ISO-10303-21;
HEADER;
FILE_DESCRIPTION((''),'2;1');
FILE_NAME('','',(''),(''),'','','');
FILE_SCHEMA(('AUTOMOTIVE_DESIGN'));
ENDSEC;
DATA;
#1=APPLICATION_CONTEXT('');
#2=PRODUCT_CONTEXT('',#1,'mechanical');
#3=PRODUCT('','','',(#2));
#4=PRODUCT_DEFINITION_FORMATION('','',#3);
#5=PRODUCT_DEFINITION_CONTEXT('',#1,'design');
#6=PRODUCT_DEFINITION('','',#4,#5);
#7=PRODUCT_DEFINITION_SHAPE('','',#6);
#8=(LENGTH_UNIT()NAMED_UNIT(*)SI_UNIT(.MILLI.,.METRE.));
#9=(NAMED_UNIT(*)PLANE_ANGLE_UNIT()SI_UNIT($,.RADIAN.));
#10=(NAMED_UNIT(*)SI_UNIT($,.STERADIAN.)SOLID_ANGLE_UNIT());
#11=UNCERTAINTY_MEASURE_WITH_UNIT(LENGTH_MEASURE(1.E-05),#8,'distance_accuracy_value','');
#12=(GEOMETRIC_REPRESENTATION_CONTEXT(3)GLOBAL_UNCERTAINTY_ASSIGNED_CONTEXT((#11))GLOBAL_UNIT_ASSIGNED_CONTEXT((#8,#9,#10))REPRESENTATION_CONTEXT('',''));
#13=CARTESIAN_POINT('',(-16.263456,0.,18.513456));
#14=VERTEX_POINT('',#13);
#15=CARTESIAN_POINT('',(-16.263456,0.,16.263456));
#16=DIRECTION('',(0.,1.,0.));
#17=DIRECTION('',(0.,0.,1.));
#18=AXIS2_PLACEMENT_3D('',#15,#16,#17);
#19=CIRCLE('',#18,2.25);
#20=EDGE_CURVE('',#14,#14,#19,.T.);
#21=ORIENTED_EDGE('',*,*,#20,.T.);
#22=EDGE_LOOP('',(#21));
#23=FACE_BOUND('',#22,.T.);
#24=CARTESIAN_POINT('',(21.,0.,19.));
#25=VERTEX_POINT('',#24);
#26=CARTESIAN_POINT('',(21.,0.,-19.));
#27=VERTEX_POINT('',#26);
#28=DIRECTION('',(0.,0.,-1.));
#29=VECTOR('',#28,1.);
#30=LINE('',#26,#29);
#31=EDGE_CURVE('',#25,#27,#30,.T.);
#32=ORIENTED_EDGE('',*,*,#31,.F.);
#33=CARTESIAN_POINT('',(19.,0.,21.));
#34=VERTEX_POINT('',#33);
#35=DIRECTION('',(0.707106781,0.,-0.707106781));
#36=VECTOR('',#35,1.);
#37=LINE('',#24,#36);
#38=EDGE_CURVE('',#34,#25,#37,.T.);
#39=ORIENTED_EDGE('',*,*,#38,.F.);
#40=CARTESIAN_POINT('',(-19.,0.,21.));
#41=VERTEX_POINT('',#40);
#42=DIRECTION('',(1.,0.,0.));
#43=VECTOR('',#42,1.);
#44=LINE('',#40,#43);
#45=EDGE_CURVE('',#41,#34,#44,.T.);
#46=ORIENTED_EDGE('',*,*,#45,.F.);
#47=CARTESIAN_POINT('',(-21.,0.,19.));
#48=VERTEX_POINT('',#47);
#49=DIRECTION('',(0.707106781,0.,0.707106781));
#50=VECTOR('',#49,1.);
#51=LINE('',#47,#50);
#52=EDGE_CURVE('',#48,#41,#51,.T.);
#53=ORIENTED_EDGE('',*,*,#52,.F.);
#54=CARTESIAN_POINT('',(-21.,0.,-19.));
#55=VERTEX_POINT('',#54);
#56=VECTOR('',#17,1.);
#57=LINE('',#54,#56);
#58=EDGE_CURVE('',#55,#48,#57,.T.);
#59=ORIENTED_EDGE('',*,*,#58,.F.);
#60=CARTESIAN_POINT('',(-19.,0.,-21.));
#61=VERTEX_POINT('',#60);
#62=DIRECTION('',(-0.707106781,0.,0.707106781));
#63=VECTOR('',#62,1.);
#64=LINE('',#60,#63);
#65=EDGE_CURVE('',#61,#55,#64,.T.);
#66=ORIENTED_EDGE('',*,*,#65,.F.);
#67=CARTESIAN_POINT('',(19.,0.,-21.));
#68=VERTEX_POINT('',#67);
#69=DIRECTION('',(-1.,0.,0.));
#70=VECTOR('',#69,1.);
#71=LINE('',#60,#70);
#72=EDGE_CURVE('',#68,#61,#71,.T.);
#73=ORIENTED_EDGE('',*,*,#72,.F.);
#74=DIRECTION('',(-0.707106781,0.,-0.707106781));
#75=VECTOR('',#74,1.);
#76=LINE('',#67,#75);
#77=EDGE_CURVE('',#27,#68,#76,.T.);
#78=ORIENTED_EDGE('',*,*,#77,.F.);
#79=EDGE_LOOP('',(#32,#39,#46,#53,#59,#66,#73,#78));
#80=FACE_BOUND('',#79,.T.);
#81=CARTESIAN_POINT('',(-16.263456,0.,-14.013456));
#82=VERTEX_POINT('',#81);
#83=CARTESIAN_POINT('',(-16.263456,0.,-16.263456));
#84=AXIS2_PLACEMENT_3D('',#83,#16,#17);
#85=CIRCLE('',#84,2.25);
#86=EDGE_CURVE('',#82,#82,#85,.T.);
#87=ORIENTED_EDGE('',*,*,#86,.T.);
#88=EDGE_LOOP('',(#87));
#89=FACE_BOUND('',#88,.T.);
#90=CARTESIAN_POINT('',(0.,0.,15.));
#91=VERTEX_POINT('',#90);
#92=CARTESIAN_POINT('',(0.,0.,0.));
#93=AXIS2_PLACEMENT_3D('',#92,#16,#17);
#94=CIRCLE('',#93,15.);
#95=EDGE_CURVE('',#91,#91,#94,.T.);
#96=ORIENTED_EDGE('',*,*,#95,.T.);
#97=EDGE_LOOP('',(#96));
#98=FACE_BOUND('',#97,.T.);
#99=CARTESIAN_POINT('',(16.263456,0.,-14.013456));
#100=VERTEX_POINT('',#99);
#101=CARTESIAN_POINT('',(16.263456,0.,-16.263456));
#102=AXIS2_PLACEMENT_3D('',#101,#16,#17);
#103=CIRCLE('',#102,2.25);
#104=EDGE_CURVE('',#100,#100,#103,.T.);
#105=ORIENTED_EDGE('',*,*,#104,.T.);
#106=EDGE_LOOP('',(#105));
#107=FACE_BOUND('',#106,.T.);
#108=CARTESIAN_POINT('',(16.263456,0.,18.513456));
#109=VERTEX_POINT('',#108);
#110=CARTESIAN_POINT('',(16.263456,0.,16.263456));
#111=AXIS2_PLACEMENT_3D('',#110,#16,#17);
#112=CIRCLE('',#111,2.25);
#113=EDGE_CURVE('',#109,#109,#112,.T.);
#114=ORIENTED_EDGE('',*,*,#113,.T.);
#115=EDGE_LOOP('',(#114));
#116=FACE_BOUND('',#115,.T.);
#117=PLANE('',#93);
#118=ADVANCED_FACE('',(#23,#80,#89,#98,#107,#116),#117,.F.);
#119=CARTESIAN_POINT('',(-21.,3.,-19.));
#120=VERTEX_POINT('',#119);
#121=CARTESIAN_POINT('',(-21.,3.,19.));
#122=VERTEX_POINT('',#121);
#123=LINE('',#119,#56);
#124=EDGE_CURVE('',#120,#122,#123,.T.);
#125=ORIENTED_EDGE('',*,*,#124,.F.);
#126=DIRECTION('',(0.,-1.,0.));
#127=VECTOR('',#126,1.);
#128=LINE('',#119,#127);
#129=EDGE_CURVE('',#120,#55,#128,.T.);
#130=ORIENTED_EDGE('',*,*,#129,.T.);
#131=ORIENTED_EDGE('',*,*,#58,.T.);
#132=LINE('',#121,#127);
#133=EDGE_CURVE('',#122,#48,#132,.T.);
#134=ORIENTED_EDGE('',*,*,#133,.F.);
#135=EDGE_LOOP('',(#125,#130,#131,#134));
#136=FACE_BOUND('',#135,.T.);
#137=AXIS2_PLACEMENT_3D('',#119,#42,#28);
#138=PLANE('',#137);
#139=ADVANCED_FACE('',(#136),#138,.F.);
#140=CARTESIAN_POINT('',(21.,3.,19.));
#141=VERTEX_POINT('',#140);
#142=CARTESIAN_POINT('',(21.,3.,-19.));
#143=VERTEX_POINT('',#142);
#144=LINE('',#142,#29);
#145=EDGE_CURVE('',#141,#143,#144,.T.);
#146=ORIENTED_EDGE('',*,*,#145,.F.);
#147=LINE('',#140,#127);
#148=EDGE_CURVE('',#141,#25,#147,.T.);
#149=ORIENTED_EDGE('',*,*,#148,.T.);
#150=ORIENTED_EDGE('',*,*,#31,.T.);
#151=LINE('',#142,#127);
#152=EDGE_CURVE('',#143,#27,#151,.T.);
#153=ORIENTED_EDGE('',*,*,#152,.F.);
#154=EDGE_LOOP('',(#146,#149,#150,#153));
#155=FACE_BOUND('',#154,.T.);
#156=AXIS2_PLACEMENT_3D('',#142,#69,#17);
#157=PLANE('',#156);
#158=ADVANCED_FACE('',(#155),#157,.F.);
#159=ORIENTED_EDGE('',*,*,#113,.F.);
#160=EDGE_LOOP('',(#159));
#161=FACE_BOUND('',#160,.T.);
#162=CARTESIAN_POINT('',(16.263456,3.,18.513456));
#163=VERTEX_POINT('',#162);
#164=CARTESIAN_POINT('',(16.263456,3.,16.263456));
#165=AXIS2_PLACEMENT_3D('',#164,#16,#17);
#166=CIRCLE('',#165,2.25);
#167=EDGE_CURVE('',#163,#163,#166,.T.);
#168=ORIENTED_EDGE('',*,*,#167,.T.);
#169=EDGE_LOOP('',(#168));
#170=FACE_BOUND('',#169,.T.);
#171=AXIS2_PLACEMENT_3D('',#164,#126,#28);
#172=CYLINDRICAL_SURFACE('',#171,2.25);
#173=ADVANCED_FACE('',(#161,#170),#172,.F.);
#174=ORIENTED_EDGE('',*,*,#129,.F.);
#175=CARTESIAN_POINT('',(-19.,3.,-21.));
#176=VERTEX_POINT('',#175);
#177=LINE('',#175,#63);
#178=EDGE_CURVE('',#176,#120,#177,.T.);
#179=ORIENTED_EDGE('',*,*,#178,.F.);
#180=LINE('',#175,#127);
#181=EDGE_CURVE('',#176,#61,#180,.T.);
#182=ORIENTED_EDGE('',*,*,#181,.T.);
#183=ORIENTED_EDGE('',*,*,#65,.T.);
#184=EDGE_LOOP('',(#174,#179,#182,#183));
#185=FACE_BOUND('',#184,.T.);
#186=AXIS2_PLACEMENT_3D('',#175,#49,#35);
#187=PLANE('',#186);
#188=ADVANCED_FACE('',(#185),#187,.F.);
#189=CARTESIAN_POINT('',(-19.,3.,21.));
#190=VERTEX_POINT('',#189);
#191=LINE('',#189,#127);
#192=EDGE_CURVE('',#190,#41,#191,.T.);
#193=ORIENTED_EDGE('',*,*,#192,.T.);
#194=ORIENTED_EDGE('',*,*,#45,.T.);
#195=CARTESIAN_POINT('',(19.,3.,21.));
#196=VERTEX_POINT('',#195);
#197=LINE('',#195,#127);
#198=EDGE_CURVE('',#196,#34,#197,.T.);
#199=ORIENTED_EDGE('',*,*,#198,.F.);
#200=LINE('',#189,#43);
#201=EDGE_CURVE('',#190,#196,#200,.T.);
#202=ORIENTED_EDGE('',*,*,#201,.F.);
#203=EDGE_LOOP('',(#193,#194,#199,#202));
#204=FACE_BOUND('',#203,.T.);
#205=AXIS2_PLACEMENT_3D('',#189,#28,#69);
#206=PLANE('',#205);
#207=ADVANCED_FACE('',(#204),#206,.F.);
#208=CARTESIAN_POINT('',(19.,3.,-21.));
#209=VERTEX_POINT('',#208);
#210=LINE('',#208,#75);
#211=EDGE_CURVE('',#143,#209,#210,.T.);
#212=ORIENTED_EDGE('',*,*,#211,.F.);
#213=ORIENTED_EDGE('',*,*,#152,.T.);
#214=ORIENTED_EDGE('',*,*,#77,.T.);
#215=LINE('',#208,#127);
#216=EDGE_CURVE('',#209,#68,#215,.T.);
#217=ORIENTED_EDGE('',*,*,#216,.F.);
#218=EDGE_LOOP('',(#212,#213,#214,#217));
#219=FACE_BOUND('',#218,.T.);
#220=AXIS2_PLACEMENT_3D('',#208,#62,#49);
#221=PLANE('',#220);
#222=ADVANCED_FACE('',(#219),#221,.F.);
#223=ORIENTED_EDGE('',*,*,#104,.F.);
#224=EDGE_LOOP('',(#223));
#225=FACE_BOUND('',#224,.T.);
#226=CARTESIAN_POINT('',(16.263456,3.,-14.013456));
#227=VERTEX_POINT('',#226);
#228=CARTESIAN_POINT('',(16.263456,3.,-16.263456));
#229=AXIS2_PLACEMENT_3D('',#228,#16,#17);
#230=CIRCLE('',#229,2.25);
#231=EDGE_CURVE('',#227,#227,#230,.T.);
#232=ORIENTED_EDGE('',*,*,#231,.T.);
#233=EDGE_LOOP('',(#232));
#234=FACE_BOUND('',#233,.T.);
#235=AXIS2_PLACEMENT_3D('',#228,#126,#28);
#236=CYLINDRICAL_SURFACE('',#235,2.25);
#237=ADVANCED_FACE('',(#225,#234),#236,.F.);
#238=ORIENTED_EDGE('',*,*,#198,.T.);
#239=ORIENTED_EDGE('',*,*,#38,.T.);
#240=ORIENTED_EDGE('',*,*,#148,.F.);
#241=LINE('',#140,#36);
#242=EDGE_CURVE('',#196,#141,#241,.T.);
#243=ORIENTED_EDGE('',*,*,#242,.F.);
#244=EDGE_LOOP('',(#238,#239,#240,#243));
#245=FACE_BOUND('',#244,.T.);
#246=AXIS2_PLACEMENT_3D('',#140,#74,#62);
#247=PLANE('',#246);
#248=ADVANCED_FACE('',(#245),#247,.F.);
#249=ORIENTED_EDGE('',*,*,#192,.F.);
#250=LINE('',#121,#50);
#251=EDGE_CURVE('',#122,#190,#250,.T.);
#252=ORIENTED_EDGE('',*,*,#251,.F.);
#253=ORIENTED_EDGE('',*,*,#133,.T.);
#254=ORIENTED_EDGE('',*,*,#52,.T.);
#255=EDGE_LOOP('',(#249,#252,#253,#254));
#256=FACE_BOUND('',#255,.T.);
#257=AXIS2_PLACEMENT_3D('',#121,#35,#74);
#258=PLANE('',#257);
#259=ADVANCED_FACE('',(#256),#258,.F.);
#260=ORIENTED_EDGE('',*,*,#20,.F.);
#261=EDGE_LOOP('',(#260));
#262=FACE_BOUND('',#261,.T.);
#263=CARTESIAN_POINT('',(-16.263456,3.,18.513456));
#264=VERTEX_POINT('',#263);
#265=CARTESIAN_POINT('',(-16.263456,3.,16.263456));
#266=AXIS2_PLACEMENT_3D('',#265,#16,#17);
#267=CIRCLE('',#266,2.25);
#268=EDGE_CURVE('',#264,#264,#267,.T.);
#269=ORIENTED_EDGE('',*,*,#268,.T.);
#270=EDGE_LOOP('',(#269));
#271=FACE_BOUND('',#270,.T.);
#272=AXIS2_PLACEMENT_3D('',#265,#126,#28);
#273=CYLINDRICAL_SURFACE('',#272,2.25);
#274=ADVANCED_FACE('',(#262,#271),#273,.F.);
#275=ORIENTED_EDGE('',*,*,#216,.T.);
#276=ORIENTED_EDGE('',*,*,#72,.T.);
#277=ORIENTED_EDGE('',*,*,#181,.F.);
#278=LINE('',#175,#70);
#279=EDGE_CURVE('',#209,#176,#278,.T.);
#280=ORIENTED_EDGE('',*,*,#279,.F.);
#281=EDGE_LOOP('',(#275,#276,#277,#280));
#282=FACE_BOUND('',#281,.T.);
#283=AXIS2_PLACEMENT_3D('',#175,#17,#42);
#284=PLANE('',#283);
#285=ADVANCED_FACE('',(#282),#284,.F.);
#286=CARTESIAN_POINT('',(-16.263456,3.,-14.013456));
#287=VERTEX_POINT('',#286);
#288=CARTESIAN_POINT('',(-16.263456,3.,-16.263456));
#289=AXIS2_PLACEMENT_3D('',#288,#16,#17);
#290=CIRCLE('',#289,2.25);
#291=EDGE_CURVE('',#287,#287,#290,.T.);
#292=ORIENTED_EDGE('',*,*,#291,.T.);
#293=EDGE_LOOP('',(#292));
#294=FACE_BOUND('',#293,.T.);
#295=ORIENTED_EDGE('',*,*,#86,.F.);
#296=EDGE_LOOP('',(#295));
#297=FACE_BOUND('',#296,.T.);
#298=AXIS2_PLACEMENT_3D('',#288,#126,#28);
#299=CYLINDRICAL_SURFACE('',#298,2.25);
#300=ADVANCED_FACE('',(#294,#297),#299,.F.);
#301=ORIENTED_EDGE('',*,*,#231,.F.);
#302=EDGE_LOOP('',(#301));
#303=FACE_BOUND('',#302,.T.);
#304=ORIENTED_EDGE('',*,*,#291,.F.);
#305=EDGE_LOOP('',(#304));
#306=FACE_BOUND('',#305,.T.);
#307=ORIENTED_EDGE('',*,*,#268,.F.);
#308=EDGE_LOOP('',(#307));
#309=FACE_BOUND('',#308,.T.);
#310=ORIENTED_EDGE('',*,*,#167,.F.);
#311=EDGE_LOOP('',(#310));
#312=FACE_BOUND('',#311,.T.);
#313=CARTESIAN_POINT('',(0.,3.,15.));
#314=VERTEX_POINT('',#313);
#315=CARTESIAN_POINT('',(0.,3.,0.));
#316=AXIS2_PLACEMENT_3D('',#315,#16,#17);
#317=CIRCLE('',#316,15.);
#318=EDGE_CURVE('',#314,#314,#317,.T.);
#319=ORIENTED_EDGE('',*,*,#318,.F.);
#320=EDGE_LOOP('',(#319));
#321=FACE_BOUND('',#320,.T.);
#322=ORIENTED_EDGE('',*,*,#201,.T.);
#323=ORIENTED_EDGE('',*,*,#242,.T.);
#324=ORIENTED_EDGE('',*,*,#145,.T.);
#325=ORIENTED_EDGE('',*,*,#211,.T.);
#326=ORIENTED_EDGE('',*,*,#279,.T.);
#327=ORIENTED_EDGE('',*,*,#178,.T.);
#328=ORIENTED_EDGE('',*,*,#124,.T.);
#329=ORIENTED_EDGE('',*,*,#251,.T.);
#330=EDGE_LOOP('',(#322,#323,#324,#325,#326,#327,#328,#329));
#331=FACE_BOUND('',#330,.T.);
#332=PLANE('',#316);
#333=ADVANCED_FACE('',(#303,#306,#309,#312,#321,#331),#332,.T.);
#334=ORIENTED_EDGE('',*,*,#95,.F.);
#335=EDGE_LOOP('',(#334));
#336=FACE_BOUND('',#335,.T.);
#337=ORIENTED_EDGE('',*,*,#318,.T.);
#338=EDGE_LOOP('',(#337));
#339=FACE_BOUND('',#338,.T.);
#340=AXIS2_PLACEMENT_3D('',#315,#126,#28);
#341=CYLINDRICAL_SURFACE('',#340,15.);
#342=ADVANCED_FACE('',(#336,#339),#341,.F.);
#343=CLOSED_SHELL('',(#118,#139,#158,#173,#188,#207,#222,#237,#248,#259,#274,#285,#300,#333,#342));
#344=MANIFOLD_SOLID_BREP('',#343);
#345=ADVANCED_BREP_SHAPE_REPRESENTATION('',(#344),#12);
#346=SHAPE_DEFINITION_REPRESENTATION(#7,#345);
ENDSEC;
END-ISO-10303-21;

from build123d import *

# Parameters (mm, degrees)
SKETCH1_R           = 2.25
SKETCH1_R_2         = 15
BOSS_EXTRUDE1_DEPTH = 3


with BuildPart() as part:
    # Sketch1 → Boss-Extrude1 (new body)
    with BuildSketch(Plane(origin=(0, 0, 0), x_dir=(1, 0, 0), z_dir=(0, 1, 0))):
        Polygon((19, 21), (21, 19), (21, -19), (19, -21), (-19, -21), (-21, -19), (-21, 19), (-19, 21), align=None)
        with Locations((-16.263455967, 16.263455967)):
            Circle(SKETCH1_R, mode=Mode.SUBTRACT)
        with Locations((16.263455967, 16.263455967)):
            Circle(SKETCH1_R, mode=Mode.SUBTRACT)
        with Locations((16.263455967, -16.263455967)):
            Circle(SKETCH1_R, mode=Mode.SUBTRACT)
        with Locations((-16.263455967, -16.263455967)):
            Circle(SKETCH1_R, mode=Mode.SUBTRACT)
        Circle(SKETCH1_R_2, mode=Mode.SUBTRACT)
    extrude(amount=BOSS_EXTRUDE1_DEPTH)


solid = part.part
